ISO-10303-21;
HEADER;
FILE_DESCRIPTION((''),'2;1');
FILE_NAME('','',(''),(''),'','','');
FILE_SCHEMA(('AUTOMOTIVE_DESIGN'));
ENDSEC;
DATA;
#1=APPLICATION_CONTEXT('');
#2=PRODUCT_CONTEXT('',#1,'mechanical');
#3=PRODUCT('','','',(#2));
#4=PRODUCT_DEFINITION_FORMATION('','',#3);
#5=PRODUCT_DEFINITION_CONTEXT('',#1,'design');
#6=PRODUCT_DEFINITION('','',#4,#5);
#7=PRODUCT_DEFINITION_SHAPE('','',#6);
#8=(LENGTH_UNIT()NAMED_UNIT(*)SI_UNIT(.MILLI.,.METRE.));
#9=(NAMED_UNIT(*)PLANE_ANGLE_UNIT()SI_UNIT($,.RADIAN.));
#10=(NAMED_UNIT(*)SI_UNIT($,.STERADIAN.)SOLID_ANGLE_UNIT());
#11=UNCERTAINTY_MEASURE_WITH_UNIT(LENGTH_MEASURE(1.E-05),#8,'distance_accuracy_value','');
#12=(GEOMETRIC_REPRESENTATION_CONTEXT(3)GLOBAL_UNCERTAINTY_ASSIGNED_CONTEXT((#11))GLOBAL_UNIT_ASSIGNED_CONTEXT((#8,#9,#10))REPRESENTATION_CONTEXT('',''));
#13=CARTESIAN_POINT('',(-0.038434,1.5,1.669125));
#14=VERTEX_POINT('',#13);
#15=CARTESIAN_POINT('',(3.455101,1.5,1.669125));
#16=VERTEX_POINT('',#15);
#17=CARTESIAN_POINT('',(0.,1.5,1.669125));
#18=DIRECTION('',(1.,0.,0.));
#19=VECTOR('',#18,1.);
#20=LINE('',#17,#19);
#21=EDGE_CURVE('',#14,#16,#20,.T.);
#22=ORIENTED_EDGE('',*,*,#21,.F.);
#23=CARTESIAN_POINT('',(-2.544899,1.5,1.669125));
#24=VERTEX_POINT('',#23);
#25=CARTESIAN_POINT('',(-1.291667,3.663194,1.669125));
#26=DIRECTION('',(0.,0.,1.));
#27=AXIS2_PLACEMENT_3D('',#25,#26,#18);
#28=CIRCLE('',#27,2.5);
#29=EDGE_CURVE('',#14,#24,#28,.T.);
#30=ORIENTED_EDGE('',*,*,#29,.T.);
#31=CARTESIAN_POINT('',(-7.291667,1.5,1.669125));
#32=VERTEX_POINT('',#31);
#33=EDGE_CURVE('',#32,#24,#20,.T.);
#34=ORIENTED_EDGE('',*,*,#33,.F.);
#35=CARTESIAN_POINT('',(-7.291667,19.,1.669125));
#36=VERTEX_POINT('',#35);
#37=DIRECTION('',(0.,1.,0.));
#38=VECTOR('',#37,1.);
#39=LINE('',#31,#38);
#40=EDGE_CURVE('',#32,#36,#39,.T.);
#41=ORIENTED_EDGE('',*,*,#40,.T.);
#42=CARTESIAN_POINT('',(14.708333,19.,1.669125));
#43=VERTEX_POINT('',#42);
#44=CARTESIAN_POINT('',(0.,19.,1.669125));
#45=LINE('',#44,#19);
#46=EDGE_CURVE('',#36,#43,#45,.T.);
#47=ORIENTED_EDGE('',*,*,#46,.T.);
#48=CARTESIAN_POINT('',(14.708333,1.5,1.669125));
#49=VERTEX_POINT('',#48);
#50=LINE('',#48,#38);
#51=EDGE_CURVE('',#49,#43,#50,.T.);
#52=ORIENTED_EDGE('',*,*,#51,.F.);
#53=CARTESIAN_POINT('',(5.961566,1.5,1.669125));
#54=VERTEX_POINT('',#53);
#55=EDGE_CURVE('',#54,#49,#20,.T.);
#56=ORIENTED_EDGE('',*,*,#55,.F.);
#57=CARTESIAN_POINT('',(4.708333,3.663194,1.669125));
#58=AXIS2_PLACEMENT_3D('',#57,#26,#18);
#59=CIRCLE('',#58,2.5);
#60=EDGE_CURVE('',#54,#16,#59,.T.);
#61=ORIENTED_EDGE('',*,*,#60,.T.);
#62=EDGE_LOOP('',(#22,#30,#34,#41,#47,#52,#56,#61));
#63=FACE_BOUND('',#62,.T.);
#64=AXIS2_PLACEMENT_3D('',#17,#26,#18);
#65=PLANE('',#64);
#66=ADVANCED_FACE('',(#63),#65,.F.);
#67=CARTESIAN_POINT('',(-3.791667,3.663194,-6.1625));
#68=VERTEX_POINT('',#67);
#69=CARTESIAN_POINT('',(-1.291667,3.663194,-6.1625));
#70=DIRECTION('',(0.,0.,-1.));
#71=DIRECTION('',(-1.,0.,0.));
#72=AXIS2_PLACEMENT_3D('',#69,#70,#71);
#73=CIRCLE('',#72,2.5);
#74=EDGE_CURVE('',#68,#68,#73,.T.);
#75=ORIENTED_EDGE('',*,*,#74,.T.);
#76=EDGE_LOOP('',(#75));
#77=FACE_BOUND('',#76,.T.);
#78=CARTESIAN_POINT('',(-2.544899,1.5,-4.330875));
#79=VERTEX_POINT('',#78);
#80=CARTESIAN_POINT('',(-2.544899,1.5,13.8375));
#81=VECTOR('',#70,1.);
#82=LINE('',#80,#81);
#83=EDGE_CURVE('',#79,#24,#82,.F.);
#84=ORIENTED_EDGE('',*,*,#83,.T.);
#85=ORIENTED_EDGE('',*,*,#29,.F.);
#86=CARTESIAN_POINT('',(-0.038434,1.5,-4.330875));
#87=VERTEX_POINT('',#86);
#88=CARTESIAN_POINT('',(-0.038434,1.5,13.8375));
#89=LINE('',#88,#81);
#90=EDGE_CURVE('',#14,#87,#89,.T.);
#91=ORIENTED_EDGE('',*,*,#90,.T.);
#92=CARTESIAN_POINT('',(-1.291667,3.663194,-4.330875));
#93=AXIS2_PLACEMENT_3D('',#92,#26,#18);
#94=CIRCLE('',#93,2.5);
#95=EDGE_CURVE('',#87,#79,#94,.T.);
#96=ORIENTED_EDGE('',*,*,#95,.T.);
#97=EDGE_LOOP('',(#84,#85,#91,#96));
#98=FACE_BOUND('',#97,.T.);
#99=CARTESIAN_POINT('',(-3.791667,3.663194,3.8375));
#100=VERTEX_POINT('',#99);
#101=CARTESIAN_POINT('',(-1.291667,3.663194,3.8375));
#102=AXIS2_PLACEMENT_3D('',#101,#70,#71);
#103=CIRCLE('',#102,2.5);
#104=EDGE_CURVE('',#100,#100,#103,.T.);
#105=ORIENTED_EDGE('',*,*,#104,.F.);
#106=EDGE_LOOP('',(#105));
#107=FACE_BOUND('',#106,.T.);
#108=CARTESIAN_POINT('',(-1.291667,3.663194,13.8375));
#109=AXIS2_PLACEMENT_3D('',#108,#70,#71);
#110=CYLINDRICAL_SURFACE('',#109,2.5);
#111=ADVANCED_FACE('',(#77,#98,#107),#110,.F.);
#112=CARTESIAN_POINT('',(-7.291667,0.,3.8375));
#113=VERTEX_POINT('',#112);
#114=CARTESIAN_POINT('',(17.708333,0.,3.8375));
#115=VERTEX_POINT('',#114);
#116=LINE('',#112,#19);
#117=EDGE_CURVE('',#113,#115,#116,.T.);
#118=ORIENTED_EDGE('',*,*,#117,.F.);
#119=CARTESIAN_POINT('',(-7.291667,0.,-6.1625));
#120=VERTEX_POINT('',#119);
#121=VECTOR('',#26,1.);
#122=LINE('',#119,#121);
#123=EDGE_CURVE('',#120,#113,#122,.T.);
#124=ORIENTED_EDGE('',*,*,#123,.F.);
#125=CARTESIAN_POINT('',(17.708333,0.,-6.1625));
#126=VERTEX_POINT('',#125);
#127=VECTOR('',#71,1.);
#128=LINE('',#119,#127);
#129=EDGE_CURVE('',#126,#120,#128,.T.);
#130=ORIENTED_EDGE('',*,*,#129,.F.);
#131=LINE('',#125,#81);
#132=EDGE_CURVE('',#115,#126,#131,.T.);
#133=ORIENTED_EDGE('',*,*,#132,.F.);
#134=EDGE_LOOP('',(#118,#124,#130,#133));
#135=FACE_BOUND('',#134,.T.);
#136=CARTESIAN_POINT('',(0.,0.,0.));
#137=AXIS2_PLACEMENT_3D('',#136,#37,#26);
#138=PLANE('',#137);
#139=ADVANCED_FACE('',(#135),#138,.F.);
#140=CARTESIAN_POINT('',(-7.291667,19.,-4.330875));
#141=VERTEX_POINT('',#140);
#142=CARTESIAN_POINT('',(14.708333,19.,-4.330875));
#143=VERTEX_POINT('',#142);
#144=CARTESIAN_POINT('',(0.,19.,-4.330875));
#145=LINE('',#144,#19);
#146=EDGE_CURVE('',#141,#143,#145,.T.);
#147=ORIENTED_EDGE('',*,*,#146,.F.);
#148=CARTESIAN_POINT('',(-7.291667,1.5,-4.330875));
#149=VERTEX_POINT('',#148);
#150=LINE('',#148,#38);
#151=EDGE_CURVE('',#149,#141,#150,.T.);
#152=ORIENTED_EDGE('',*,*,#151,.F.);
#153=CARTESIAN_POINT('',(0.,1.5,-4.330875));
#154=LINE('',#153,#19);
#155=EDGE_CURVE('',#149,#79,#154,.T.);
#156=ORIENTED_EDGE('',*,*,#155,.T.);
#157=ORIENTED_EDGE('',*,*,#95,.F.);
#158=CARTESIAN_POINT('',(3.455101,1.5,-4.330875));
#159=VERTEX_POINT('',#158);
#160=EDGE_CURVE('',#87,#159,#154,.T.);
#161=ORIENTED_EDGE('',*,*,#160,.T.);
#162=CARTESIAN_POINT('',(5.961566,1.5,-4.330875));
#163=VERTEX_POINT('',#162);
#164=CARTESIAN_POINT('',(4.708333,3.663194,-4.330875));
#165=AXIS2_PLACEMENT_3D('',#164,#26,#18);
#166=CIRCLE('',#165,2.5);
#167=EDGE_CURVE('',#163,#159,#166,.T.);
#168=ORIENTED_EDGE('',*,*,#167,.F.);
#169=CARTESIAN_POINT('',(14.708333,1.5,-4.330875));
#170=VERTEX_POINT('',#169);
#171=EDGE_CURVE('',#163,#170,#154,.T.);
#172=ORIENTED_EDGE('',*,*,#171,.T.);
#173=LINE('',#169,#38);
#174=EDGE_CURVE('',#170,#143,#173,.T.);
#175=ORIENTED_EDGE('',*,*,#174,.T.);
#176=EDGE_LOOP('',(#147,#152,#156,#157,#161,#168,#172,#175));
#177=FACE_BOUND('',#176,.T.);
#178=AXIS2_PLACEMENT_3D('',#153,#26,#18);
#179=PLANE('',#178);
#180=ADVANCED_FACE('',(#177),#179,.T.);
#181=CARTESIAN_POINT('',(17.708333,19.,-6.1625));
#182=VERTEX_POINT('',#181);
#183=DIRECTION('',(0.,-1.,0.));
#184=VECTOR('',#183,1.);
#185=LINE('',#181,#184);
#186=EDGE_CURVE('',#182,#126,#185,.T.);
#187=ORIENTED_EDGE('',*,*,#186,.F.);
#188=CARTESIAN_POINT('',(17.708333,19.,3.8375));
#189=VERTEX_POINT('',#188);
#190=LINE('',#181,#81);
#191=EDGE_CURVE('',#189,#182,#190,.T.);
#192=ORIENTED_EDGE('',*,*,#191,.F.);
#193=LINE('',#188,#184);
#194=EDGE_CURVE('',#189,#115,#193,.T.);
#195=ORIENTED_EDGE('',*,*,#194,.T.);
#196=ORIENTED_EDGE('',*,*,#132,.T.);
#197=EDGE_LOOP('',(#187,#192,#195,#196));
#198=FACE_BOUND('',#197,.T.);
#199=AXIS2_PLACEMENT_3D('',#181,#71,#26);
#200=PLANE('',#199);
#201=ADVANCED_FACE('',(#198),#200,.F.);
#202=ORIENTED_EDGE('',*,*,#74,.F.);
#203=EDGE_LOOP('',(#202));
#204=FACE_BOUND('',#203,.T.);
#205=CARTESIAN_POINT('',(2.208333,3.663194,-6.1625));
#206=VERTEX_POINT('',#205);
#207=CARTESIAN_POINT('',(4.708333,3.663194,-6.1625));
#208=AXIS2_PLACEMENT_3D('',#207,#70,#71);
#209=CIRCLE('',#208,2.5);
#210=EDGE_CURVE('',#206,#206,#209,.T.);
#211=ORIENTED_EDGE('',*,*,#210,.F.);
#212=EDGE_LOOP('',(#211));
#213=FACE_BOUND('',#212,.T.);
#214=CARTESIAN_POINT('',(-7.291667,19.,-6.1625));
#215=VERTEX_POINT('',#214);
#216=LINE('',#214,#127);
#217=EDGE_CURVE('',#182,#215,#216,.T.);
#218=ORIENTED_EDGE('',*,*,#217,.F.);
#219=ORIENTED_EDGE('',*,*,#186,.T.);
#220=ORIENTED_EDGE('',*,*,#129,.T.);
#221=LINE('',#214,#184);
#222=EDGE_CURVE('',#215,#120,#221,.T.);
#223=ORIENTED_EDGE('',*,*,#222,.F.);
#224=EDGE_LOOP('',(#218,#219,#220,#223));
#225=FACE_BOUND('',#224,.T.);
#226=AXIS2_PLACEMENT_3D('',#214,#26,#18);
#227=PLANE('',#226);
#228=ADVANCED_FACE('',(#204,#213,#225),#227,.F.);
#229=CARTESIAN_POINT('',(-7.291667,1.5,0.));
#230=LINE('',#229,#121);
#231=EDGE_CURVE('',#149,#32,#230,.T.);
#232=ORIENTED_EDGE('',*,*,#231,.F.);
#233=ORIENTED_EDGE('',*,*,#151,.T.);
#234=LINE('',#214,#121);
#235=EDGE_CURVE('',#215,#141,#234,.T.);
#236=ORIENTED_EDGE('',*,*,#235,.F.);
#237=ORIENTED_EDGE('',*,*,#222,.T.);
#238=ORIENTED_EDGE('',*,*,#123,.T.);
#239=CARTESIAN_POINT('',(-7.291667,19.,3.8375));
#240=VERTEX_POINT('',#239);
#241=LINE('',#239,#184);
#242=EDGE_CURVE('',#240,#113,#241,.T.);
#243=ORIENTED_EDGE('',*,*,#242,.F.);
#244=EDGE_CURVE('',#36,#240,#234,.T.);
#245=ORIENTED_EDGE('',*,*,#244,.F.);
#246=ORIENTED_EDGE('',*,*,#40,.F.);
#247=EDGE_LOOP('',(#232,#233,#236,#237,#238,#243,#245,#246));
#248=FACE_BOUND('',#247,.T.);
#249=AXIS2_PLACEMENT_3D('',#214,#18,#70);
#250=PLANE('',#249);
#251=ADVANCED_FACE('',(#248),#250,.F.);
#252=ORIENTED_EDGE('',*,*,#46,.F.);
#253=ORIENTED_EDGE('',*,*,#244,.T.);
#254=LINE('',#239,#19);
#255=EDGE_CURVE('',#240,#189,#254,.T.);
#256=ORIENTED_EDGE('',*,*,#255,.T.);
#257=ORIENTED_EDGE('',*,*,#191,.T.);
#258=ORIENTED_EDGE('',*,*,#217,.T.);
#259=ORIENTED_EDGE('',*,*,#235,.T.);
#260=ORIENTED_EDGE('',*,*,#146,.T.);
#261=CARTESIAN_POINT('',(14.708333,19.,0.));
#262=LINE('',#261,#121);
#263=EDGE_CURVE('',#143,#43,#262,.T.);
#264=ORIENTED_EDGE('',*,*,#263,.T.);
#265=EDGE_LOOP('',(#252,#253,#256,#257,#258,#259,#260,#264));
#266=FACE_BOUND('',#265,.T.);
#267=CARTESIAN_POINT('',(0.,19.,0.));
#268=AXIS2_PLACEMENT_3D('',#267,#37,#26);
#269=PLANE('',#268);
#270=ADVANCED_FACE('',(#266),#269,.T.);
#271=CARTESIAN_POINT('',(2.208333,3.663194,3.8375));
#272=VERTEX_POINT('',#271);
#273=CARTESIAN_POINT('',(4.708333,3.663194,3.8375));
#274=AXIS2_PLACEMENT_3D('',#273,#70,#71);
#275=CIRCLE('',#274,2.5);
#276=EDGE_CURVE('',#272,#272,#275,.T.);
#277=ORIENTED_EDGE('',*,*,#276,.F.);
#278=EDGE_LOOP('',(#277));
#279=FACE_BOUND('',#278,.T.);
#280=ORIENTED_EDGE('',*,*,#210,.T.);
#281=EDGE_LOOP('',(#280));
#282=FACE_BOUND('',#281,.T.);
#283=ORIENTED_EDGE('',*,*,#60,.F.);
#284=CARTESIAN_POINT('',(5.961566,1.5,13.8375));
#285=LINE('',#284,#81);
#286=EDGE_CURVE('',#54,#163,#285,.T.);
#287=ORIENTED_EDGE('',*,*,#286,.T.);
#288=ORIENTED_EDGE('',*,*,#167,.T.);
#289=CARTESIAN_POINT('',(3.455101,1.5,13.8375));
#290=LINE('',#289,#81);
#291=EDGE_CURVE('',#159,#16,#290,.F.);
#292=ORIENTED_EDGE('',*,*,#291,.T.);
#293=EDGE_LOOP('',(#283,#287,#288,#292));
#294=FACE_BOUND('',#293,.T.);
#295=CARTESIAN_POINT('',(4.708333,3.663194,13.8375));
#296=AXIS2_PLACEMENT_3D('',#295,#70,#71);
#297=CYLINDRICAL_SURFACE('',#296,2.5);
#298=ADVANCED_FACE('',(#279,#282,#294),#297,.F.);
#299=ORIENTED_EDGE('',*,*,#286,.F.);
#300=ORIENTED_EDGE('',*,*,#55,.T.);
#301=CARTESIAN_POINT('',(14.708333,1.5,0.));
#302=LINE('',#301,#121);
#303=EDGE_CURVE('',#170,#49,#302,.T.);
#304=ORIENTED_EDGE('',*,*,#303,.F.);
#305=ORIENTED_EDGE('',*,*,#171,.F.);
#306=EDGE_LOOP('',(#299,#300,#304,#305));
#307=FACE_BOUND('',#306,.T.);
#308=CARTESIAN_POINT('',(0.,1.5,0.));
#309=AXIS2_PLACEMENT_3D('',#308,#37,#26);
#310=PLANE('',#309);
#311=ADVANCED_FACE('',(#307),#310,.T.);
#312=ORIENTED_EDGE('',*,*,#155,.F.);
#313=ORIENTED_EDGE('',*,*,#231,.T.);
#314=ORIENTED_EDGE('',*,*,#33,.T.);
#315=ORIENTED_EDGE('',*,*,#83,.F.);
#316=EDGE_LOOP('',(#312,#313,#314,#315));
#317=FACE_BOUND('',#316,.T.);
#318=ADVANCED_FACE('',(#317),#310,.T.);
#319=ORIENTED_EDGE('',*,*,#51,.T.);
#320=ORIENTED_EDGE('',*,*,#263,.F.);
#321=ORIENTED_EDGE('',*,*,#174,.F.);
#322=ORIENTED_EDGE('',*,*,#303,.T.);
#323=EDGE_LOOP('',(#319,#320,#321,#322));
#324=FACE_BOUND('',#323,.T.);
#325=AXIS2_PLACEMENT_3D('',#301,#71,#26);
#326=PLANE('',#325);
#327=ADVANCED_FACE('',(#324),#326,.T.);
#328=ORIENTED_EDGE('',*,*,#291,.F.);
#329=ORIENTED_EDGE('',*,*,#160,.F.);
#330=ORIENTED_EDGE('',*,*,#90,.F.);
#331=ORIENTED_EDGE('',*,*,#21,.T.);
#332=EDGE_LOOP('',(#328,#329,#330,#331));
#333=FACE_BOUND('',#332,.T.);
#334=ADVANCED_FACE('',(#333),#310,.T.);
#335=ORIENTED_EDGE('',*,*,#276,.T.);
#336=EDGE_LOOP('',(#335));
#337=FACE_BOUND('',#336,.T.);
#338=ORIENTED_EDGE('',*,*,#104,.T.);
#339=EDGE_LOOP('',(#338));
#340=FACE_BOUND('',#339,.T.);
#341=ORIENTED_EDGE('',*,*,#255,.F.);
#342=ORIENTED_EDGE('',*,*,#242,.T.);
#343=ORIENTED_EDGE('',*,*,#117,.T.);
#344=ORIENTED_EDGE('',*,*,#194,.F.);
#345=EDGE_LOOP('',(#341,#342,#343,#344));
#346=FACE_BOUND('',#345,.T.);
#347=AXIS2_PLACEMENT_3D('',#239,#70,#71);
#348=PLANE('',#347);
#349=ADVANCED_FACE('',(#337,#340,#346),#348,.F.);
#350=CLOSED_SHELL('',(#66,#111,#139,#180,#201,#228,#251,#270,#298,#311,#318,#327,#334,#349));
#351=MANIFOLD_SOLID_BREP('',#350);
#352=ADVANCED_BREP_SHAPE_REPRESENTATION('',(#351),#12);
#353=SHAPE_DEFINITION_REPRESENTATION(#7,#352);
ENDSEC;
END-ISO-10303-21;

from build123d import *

# Parameters (mm, degrees)
SKETCH_1_W          = 25
SKETCH_1_H          = 10
EXTRUDE_2_DEPTH     = 19
SKETCH_2_W          = 22
SKETCH_2_H          = 6
CUT_EXTRUDE_1_DEPTH = 17.5
SKETCH_3_R          = 2.5
CUT_EXTRUDE_2_DEPTH = 20


with BuildPart() as part:
    # 草圖1 → 填料-伸長2 (new body)
    with BuildSketch(Plane(origin=(0, 0, 0), x_dir=(1, 0, 0), z_dir=(0, 1, 0))):
        with Locations((5.208333333, 1.1625)):
            Rectangle(SKETCH_1_W, SKETCH_1_H)
    extrude(amount=EXTRUDE_2_DEPTH)

    # 草圖2 → 除料-伸長1 (cut)
    with BuildSketch(Plane(origin=(0, 19, 0), x_dir=(1, 0, 0), z_dir=(0, 1, 0))):
        with Locations((3.708333333, 1.330875321)):
            Rectangle(SKETCH_2_W, SKETCH_2_H)
    extrude(amount=-CUT_EXTRUDE_1_DEPTH, mode=Mode.SUBTRACT)

    # 草圖3 → 除料-伸長2 (cut)
    with BuildSketch(Plane(origin=(0, 0, -6.1625), x_dir=(-1, 0, 0), z_dir=(0, 0, -1))):
        with Locations((-4.708333333, 3.663194133)):
            Circle(SKETCH_3_R)
        with Locations((1.291666667, 3.663194133)):
            Circle(SKETCH_3_R)
    extrude(amount=-CUT_EXTRUDE_2_DEPTH, mode=Mode.SUBTRACT)


solid = part.part
